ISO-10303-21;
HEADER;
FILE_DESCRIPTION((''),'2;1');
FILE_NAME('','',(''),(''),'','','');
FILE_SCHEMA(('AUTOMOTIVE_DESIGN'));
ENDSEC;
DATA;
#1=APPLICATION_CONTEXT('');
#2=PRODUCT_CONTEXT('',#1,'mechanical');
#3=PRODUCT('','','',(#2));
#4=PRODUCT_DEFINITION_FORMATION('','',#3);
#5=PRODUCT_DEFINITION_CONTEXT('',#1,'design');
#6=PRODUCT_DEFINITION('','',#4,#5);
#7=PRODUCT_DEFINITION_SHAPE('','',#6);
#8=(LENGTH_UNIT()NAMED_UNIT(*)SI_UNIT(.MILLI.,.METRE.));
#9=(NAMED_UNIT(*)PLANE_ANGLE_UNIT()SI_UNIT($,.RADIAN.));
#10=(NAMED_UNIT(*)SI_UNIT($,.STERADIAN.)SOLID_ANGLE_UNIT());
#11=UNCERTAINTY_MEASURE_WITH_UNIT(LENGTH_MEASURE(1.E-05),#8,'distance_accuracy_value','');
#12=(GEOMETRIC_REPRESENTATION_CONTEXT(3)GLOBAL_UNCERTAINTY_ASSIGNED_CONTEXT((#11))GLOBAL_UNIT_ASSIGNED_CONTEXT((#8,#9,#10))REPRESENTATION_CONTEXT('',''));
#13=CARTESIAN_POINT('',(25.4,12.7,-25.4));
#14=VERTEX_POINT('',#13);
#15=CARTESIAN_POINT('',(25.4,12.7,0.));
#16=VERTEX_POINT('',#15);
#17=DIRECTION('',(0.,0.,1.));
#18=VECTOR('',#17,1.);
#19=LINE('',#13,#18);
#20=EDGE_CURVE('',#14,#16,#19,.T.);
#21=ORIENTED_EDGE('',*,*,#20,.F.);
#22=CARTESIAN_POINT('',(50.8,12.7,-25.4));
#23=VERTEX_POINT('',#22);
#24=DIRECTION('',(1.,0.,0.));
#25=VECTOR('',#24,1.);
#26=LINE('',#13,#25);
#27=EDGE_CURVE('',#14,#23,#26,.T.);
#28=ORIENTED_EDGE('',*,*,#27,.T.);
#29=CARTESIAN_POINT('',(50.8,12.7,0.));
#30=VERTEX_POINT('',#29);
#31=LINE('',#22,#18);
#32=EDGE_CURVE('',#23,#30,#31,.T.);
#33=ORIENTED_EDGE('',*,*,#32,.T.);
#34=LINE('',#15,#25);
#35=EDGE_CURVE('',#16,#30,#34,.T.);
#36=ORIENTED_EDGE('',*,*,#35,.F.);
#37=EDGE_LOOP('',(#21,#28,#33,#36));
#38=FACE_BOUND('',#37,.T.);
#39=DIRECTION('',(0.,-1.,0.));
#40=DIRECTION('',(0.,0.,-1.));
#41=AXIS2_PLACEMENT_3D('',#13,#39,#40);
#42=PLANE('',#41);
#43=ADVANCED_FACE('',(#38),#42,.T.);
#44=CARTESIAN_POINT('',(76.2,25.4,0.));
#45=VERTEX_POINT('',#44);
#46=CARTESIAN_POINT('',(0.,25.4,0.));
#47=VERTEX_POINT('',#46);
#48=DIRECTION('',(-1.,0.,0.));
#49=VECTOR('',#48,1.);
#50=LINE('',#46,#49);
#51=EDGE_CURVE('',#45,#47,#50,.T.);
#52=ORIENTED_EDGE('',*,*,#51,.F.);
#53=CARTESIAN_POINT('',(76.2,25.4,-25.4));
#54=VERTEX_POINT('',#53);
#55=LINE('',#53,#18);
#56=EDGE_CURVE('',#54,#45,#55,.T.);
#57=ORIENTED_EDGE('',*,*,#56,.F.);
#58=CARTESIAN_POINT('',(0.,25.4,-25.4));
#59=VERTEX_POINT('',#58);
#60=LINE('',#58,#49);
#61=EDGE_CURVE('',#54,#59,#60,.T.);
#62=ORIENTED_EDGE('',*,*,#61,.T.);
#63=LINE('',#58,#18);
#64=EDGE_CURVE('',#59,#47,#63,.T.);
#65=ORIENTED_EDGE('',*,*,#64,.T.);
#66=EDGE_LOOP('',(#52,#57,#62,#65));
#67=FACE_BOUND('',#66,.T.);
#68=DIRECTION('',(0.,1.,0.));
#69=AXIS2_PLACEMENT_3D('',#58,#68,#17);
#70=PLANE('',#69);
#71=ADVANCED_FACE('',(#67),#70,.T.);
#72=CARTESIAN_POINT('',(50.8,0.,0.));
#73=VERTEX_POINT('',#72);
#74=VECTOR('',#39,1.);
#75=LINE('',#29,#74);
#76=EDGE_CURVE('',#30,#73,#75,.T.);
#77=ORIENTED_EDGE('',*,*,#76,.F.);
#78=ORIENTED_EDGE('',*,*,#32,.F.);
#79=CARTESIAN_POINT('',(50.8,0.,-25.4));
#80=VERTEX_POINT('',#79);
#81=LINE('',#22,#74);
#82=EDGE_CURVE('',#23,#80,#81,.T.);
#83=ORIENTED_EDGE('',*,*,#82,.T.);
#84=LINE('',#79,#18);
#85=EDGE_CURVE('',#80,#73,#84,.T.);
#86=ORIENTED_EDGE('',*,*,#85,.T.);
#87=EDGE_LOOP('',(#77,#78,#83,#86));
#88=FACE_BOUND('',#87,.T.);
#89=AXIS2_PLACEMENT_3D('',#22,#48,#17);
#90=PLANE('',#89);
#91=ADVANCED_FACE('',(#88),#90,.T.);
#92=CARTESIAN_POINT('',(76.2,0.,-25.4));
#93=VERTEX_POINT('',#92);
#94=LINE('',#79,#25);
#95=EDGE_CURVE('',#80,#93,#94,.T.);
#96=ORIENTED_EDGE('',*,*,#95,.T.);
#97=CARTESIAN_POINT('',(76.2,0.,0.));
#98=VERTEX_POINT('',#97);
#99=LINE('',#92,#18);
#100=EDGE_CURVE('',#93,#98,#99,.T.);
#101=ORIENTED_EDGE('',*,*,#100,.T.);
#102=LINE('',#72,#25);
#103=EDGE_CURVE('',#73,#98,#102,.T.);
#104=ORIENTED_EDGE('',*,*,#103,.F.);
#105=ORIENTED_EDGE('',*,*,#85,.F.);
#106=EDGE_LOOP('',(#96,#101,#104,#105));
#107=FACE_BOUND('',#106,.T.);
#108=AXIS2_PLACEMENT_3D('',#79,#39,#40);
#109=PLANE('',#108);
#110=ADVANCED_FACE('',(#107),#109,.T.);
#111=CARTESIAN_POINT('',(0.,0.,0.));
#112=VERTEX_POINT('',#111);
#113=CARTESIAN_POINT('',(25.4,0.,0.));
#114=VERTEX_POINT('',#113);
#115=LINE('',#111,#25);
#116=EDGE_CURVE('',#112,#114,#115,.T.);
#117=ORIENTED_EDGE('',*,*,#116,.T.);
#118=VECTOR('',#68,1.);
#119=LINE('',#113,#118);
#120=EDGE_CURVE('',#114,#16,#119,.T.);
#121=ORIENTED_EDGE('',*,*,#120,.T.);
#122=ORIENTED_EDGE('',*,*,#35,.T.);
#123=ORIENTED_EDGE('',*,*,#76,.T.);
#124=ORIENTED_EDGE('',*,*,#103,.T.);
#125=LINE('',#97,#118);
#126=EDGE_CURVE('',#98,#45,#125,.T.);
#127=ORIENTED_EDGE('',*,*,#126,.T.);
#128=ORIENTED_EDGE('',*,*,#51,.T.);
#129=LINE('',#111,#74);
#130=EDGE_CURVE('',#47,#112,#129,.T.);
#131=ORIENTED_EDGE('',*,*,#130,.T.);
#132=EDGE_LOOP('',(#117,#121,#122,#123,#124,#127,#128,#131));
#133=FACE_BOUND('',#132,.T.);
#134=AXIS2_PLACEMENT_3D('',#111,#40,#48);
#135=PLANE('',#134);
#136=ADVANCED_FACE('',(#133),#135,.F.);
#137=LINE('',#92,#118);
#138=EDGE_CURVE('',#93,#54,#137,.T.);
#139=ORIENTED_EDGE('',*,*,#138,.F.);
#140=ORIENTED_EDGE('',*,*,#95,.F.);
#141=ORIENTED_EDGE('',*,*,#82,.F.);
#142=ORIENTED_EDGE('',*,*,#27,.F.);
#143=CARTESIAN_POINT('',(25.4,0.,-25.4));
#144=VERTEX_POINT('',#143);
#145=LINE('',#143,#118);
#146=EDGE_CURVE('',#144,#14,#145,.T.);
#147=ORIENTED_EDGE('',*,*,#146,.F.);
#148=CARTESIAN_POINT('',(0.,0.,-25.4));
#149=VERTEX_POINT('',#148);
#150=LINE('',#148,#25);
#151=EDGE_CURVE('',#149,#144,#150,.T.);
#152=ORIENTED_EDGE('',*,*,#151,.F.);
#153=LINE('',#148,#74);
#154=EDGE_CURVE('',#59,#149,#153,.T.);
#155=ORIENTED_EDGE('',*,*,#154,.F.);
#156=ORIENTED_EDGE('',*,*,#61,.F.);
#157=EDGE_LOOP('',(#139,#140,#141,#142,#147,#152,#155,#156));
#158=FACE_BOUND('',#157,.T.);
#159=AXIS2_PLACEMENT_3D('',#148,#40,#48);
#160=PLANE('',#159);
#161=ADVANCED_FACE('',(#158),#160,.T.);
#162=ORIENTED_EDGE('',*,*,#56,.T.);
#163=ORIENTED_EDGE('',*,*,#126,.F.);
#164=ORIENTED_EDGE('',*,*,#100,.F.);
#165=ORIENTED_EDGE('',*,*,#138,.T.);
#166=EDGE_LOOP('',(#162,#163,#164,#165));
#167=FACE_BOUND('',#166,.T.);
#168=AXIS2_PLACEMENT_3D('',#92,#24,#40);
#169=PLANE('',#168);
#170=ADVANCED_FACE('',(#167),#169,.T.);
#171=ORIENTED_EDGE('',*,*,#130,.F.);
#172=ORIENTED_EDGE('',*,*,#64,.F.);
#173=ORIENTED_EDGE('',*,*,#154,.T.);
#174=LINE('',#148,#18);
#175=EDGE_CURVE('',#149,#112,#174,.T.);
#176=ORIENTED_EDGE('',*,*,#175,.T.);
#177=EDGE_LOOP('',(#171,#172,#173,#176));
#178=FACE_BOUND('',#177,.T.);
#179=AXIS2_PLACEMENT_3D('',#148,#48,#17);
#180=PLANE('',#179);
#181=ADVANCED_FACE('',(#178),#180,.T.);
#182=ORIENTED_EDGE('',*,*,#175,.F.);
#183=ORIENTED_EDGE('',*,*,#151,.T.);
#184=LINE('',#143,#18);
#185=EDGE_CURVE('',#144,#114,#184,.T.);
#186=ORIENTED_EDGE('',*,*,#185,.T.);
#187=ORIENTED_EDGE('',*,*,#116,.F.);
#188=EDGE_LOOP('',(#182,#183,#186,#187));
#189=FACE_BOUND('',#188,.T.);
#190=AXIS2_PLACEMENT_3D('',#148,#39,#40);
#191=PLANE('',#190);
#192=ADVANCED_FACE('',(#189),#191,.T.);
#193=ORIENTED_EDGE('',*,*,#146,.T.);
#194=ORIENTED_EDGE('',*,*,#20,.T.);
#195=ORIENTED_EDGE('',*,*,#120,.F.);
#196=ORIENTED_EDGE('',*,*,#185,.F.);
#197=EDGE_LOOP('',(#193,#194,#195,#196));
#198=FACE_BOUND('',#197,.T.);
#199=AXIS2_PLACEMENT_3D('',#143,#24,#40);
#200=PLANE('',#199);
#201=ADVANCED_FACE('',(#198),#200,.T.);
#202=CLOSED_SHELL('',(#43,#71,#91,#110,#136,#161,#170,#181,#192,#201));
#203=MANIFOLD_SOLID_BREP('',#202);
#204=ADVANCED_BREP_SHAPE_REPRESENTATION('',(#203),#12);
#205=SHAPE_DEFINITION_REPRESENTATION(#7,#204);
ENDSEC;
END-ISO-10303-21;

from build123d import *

# Parameters (mm, degrees)
BOSS_EXTRUDE1_DEPTH = 25.4


with BuildPart() as part:
    # Sketch1 → Boss-Extrude1 (new body)
    with BuildSketch(Plane.XY):
        Polygon((25.4, 0), (25.4, 12.7), (50.8, 12.7), (50.8, 0), (76.2, 0), (76.2, 25.4), (0, 25.4), (0, 0), align=None)
    extrude(amount=-BOSS_EXTRUDE1_DEPTH)


solid = part.part
